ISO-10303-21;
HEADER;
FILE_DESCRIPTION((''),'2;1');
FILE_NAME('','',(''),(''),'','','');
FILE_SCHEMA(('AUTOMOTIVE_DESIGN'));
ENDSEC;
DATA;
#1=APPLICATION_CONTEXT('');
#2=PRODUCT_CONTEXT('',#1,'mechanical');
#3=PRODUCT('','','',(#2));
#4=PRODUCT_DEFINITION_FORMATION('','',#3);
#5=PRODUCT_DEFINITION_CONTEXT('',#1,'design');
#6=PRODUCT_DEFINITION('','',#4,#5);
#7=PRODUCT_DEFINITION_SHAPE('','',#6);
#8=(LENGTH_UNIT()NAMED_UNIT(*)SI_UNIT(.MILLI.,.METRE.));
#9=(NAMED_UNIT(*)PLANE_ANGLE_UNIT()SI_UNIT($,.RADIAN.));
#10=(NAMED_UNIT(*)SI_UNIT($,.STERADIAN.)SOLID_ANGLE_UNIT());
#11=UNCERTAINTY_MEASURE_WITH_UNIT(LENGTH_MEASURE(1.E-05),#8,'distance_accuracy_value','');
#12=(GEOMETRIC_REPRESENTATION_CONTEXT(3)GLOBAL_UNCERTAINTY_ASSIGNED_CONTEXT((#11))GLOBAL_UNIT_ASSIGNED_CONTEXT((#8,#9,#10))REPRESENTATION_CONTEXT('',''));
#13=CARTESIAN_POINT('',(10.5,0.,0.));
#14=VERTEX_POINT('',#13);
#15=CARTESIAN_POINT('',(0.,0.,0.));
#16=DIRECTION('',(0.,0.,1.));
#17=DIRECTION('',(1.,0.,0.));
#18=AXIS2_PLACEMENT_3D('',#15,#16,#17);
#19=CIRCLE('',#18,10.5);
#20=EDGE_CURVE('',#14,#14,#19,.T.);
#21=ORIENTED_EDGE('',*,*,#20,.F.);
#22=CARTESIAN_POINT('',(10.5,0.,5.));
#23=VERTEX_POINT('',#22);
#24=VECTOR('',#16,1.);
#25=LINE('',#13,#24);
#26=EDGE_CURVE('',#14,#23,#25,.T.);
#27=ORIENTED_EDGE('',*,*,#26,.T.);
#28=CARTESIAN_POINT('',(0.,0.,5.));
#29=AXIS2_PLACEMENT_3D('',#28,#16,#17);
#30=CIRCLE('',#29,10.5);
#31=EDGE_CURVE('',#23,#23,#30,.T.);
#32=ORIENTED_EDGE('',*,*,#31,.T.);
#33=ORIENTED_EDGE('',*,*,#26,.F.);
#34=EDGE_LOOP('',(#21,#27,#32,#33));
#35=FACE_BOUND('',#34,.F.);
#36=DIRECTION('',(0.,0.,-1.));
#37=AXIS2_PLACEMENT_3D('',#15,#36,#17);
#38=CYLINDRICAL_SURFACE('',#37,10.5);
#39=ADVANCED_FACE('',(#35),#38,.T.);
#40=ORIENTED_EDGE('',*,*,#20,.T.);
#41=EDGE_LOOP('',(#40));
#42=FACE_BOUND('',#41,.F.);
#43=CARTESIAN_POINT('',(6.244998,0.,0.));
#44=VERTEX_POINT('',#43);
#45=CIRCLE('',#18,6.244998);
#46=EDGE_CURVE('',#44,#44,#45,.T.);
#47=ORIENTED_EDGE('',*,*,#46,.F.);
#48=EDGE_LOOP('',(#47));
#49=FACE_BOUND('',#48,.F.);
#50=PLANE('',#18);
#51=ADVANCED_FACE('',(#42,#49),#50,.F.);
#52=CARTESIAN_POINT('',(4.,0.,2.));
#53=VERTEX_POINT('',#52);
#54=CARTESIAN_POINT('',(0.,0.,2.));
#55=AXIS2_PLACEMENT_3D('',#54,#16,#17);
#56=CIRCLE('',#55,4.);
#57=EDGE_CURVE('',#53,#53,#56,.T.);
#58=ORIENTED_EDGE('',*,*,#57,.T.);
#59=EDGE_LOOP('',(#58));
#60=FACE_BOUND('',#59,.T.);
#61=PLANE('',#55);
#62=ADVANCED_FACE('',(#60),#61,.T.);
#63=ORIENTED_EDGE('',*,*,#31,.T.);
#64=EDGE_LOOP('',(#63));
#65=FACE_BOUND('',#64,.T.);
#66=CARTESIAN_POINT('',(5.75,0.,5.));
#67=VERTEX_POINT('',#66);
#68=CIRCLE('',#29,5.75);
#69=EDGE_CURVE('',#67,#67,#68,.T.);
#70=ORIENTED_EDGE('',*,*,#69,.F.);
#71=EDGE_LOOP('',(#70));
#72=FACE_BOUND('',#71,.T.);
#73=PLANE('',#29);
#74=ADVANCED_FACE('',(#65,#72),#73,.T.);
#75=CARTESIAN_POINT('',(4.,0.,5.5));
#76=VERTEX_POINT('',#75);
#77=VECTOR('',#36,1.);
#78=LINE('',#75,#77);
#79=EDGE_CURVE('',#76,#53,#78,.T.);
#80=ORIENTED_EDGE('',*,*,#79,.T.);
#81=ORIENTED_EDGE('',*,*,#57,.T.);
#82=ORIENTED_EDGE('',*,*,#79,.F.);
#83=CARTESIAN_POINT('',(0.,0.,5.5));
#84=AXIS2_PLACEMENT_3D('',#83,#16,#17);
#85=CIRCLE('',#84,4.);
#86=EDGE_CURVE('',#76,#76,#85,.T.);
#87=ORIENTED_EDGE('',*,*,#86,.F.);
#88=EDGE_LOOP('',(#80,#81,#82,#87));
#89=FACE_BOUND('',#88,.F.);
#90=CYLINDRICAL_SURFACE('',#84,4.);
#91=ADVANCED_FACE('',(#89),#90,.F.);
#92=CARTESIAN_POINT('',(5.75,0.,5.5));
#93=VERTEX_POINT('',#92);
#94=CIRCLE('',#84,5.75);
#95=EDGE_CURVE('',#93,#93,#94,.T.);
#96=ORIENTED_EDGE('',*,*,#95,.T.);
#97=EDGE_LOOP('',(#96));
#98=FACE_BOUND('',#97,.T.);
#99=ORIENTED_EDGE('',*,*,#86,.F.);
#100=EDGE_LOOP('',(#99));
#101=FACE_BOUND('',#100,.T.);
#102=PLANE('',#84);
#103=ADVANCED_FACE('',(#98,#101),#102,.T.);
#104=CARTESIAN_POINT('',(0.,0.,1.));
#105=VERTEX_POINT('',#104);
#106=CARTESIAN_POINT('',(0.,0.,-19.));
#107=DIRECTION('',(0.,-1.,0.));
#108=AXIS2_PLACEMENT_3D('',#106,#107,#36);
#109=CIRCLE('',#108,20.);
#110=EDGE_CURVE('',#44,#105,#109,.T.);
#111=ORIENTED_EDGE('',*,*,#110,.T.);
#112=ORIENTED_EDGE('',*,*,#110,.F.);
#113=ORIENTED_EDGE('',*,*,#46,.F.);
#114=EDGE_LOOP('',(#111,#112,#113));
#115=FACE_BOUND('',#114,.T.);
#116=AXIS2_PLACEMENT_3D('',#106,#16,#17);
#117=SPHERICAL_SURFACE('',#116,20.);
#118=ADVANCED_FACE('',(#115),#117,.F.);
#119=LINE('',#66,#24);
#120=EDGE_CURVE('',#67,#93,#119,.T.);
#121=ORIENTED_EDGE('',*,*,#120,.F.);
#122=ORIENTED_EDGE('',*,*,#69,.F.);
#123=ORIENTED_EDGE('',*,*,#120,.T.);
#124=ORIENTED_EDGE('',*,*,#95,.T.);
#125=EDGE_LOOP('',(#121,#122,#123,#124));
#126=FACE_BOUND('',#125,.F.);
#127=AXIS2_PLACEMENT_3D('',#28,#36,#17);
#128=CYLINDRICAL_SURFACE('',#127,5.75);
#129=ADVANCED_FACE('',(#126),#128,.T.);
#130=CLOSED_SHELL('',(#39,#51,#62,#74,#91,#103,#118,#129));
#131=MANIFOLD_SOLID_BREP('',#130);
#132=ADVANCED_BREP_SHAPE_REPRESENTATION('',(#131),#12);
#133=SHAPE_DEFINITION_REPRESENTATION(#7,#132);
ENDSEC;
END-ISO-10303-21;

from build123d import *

# Parameters (mm, degrees)
F0_R     = 10.5
F1_DEPTH = 5
F2_R     = 5.75
F3_DEPTH = 0.5
F4_R     = 4
F5_DEPTH = 3.5


with BuildPart() as f1:
    # F0 (on Top) → F1 (new body)
    with BuildSketch(Plane.XY):
        Circle(F0_R)
    extrude(amount=F1_DEPTH)

    # F2 (on face) → F3 (join)
    with BuildSketch(Plane.XY.offset(5)):
        Circle(F2_R)
    extrude(amount=F3_DEPTH)

    # F4 (on face) → F5 (cut)
    with BuildSketch(Plane.XY.offset(5.5)):
        Circle(F4_R)
    extrude(amount=-F5_DEPTH, mode=Mode.SUBTRACT)

    # F6 (on Front) → F7 (revolve, cut)
    with BuildSketch(Plane.XZ):
        with BuildLine():
            Line((0, 1), (0, -39))
            ThreePointArc((0, -39), (20, -19), (0, 1))
        make_face()
    revolve(axis=Axis((0, 0, -19), (0, 0, -1)), mode=Mode.SUBTRACT)


solid = f1.part
